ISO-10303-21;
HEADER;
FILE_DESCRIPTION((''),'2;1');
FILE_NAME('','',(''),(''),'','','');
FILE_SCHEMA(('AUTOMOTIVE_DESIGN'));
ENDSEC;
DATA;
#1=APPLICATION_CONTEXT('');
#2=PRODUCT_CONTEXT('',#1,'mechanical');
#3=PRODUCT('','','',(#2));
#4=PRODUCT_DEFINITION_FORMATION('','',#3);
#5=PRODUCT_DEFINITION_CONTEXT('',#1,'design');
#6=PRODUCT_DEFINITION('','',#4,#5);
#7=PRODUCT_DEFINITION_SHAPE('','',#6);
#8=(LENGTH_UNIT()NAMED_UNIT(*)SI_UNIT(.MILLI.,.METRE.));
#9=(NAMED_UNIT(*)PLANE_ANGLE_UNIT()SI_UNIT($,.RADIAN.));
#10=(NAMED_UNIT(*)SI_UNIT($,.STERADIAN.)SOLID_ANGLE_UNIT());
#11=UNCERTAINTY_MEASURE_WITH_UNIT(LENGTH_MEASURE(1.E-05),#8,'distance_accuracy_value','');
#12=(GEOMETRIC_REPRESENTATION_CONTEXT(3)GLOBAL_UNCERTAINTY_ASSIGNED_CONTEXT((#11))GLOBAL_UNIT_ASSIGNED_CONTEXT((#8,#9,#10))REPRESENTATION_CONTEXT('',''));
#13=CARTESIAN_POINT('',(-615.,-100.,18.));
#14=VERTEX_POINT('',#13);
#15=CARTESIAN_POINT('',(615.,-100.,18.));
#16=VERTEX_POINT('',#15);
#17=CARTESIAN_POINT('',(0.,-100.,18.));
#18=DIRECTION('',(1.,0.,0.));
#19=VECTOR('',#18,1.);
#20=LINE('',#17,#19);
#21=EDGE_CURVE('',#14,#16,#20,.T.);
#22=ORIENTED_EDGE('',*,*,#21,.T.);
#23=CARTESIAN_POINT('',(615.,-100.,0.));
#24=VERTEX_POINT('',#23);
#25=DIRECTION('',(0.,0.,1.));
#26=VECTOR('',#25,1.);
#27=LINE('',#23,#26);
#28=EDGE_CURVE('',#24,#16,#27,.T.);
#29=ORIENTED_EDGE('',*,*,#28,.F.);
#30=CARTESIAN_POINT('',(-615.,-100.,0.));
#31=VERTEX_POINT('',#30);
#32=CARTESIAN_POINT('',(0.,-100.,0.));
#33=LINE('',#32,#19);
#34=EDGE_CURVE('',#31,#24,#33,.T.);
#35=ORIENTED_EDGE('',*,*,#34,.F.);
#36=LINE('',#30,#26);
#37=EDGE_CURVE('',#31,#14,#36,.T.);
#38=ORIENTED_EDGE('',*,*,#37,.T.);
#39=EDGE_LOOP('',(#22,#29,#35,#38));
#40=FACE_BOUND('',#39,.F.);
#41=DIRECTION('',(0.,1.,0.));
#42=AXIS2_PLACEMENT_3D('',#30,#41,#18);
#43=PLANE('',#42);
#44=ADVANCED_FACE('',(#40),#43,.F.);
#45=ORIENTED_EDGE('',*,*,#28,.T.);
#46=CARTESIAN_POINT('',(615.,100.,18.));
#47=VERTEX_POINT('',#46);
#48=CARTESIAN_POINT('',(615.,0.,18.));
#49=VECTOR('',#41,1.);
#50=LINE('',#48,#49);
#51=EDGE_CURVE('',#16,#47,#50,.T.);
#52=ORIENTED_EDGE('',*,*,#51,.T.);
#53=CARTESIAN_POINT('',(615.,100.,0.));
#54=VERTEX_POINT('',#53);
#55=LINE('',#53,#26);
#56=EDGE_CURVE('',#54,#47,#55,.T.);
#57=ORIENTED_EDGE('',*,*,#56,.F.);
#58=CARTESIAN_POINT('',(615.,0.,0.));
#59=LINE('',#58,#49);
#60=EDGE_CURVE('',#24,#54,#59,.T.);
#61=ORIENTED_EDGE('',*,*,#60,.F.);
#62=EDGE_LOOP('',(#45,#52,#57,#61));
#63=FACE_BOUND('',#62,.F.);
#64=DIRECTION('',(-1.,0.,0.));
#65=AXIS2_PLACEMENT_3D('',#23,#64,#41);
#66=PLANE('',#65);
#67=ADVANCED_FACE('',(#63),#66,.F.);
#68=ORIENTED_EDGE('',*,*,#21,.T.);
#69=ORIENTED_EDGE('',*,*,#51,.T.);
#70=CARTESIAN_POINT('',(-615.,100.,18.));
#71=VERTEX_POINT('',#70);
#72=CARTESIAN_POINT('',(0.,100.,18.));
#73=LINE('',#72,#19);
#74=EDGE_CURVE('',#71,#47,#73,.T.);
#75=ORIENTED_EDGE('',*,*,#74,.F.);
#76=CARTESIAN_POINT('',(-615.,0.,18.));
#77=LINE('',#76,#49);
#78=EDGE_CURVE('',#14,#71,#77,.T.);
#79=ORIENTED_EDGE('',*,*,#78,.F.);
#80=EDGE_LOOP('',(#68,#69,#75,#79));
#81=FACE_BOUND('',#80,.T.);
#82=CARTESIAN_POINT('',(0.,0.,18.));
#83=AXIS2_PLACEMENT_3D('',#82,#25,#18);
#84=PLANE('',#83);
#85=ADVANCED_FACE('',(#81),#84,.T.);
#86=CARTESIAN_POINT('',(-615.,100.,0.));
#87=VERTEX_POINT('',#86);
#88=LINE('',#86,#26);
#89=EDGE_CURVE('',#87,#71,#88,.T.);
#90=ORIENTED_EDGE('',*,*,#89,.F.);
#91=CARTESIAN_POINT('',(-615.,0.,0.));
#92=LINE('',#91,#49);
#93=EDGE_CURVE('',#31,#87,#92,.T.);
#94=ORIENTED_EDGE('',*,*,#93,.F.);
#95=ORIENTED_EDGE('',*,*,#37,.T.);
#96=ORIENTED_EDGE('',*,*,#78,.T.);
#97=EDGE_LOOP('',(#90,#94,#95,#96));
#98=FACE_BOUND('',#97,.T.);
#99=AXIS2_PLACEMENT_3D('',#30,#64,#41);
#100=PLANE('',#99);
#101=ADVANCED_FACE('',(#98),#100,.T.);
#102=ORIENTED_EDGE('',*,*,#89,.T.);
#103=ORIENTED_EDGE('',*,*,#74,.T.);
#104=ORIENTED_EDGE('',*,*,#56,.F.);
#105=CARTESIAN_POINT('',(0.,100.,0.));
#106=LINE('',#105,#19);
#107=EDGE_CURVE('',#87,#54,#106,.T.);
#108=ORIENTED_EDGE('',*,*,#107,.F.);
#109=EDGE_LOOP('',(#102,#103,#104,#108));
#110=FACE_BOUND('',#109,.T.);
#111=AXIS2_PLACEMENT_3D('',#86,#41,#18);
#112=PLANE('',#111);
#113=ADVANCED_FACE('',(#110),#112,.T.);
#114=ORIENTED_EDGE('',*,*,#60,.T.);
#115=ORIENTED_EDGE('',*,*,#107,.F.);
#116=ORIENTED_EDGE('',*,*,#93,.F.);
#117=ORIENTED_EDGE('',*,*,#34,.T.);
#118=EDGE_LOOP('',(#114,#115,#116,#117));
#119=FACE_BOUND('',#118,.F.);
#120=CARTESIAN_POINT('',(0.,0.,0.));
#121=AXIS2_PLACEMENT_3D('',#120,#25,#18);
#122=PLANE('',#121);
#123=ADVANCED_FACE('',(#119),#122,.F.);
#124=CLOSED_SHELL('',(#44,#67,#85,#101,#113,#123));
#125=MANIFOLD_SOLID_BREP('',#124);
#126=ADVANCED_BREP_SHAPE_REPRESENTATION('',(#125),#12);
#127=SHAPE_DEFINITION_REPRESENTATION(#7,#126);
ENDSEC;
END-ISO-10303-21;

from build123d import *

# Parameters (mm, degrees)
SKETCH_W  = 1230
SKETCH_H  = 200
PAD_DEPTH = 18


with BuildPart() as part:
    # Sketch → Pad (new body)
    with BuildSketch(Plane.XY):
        Rectangle(SKETCH_W, SKETCH_H)
    extrude(amount=PAD_DEPTH)


solid = part.part
